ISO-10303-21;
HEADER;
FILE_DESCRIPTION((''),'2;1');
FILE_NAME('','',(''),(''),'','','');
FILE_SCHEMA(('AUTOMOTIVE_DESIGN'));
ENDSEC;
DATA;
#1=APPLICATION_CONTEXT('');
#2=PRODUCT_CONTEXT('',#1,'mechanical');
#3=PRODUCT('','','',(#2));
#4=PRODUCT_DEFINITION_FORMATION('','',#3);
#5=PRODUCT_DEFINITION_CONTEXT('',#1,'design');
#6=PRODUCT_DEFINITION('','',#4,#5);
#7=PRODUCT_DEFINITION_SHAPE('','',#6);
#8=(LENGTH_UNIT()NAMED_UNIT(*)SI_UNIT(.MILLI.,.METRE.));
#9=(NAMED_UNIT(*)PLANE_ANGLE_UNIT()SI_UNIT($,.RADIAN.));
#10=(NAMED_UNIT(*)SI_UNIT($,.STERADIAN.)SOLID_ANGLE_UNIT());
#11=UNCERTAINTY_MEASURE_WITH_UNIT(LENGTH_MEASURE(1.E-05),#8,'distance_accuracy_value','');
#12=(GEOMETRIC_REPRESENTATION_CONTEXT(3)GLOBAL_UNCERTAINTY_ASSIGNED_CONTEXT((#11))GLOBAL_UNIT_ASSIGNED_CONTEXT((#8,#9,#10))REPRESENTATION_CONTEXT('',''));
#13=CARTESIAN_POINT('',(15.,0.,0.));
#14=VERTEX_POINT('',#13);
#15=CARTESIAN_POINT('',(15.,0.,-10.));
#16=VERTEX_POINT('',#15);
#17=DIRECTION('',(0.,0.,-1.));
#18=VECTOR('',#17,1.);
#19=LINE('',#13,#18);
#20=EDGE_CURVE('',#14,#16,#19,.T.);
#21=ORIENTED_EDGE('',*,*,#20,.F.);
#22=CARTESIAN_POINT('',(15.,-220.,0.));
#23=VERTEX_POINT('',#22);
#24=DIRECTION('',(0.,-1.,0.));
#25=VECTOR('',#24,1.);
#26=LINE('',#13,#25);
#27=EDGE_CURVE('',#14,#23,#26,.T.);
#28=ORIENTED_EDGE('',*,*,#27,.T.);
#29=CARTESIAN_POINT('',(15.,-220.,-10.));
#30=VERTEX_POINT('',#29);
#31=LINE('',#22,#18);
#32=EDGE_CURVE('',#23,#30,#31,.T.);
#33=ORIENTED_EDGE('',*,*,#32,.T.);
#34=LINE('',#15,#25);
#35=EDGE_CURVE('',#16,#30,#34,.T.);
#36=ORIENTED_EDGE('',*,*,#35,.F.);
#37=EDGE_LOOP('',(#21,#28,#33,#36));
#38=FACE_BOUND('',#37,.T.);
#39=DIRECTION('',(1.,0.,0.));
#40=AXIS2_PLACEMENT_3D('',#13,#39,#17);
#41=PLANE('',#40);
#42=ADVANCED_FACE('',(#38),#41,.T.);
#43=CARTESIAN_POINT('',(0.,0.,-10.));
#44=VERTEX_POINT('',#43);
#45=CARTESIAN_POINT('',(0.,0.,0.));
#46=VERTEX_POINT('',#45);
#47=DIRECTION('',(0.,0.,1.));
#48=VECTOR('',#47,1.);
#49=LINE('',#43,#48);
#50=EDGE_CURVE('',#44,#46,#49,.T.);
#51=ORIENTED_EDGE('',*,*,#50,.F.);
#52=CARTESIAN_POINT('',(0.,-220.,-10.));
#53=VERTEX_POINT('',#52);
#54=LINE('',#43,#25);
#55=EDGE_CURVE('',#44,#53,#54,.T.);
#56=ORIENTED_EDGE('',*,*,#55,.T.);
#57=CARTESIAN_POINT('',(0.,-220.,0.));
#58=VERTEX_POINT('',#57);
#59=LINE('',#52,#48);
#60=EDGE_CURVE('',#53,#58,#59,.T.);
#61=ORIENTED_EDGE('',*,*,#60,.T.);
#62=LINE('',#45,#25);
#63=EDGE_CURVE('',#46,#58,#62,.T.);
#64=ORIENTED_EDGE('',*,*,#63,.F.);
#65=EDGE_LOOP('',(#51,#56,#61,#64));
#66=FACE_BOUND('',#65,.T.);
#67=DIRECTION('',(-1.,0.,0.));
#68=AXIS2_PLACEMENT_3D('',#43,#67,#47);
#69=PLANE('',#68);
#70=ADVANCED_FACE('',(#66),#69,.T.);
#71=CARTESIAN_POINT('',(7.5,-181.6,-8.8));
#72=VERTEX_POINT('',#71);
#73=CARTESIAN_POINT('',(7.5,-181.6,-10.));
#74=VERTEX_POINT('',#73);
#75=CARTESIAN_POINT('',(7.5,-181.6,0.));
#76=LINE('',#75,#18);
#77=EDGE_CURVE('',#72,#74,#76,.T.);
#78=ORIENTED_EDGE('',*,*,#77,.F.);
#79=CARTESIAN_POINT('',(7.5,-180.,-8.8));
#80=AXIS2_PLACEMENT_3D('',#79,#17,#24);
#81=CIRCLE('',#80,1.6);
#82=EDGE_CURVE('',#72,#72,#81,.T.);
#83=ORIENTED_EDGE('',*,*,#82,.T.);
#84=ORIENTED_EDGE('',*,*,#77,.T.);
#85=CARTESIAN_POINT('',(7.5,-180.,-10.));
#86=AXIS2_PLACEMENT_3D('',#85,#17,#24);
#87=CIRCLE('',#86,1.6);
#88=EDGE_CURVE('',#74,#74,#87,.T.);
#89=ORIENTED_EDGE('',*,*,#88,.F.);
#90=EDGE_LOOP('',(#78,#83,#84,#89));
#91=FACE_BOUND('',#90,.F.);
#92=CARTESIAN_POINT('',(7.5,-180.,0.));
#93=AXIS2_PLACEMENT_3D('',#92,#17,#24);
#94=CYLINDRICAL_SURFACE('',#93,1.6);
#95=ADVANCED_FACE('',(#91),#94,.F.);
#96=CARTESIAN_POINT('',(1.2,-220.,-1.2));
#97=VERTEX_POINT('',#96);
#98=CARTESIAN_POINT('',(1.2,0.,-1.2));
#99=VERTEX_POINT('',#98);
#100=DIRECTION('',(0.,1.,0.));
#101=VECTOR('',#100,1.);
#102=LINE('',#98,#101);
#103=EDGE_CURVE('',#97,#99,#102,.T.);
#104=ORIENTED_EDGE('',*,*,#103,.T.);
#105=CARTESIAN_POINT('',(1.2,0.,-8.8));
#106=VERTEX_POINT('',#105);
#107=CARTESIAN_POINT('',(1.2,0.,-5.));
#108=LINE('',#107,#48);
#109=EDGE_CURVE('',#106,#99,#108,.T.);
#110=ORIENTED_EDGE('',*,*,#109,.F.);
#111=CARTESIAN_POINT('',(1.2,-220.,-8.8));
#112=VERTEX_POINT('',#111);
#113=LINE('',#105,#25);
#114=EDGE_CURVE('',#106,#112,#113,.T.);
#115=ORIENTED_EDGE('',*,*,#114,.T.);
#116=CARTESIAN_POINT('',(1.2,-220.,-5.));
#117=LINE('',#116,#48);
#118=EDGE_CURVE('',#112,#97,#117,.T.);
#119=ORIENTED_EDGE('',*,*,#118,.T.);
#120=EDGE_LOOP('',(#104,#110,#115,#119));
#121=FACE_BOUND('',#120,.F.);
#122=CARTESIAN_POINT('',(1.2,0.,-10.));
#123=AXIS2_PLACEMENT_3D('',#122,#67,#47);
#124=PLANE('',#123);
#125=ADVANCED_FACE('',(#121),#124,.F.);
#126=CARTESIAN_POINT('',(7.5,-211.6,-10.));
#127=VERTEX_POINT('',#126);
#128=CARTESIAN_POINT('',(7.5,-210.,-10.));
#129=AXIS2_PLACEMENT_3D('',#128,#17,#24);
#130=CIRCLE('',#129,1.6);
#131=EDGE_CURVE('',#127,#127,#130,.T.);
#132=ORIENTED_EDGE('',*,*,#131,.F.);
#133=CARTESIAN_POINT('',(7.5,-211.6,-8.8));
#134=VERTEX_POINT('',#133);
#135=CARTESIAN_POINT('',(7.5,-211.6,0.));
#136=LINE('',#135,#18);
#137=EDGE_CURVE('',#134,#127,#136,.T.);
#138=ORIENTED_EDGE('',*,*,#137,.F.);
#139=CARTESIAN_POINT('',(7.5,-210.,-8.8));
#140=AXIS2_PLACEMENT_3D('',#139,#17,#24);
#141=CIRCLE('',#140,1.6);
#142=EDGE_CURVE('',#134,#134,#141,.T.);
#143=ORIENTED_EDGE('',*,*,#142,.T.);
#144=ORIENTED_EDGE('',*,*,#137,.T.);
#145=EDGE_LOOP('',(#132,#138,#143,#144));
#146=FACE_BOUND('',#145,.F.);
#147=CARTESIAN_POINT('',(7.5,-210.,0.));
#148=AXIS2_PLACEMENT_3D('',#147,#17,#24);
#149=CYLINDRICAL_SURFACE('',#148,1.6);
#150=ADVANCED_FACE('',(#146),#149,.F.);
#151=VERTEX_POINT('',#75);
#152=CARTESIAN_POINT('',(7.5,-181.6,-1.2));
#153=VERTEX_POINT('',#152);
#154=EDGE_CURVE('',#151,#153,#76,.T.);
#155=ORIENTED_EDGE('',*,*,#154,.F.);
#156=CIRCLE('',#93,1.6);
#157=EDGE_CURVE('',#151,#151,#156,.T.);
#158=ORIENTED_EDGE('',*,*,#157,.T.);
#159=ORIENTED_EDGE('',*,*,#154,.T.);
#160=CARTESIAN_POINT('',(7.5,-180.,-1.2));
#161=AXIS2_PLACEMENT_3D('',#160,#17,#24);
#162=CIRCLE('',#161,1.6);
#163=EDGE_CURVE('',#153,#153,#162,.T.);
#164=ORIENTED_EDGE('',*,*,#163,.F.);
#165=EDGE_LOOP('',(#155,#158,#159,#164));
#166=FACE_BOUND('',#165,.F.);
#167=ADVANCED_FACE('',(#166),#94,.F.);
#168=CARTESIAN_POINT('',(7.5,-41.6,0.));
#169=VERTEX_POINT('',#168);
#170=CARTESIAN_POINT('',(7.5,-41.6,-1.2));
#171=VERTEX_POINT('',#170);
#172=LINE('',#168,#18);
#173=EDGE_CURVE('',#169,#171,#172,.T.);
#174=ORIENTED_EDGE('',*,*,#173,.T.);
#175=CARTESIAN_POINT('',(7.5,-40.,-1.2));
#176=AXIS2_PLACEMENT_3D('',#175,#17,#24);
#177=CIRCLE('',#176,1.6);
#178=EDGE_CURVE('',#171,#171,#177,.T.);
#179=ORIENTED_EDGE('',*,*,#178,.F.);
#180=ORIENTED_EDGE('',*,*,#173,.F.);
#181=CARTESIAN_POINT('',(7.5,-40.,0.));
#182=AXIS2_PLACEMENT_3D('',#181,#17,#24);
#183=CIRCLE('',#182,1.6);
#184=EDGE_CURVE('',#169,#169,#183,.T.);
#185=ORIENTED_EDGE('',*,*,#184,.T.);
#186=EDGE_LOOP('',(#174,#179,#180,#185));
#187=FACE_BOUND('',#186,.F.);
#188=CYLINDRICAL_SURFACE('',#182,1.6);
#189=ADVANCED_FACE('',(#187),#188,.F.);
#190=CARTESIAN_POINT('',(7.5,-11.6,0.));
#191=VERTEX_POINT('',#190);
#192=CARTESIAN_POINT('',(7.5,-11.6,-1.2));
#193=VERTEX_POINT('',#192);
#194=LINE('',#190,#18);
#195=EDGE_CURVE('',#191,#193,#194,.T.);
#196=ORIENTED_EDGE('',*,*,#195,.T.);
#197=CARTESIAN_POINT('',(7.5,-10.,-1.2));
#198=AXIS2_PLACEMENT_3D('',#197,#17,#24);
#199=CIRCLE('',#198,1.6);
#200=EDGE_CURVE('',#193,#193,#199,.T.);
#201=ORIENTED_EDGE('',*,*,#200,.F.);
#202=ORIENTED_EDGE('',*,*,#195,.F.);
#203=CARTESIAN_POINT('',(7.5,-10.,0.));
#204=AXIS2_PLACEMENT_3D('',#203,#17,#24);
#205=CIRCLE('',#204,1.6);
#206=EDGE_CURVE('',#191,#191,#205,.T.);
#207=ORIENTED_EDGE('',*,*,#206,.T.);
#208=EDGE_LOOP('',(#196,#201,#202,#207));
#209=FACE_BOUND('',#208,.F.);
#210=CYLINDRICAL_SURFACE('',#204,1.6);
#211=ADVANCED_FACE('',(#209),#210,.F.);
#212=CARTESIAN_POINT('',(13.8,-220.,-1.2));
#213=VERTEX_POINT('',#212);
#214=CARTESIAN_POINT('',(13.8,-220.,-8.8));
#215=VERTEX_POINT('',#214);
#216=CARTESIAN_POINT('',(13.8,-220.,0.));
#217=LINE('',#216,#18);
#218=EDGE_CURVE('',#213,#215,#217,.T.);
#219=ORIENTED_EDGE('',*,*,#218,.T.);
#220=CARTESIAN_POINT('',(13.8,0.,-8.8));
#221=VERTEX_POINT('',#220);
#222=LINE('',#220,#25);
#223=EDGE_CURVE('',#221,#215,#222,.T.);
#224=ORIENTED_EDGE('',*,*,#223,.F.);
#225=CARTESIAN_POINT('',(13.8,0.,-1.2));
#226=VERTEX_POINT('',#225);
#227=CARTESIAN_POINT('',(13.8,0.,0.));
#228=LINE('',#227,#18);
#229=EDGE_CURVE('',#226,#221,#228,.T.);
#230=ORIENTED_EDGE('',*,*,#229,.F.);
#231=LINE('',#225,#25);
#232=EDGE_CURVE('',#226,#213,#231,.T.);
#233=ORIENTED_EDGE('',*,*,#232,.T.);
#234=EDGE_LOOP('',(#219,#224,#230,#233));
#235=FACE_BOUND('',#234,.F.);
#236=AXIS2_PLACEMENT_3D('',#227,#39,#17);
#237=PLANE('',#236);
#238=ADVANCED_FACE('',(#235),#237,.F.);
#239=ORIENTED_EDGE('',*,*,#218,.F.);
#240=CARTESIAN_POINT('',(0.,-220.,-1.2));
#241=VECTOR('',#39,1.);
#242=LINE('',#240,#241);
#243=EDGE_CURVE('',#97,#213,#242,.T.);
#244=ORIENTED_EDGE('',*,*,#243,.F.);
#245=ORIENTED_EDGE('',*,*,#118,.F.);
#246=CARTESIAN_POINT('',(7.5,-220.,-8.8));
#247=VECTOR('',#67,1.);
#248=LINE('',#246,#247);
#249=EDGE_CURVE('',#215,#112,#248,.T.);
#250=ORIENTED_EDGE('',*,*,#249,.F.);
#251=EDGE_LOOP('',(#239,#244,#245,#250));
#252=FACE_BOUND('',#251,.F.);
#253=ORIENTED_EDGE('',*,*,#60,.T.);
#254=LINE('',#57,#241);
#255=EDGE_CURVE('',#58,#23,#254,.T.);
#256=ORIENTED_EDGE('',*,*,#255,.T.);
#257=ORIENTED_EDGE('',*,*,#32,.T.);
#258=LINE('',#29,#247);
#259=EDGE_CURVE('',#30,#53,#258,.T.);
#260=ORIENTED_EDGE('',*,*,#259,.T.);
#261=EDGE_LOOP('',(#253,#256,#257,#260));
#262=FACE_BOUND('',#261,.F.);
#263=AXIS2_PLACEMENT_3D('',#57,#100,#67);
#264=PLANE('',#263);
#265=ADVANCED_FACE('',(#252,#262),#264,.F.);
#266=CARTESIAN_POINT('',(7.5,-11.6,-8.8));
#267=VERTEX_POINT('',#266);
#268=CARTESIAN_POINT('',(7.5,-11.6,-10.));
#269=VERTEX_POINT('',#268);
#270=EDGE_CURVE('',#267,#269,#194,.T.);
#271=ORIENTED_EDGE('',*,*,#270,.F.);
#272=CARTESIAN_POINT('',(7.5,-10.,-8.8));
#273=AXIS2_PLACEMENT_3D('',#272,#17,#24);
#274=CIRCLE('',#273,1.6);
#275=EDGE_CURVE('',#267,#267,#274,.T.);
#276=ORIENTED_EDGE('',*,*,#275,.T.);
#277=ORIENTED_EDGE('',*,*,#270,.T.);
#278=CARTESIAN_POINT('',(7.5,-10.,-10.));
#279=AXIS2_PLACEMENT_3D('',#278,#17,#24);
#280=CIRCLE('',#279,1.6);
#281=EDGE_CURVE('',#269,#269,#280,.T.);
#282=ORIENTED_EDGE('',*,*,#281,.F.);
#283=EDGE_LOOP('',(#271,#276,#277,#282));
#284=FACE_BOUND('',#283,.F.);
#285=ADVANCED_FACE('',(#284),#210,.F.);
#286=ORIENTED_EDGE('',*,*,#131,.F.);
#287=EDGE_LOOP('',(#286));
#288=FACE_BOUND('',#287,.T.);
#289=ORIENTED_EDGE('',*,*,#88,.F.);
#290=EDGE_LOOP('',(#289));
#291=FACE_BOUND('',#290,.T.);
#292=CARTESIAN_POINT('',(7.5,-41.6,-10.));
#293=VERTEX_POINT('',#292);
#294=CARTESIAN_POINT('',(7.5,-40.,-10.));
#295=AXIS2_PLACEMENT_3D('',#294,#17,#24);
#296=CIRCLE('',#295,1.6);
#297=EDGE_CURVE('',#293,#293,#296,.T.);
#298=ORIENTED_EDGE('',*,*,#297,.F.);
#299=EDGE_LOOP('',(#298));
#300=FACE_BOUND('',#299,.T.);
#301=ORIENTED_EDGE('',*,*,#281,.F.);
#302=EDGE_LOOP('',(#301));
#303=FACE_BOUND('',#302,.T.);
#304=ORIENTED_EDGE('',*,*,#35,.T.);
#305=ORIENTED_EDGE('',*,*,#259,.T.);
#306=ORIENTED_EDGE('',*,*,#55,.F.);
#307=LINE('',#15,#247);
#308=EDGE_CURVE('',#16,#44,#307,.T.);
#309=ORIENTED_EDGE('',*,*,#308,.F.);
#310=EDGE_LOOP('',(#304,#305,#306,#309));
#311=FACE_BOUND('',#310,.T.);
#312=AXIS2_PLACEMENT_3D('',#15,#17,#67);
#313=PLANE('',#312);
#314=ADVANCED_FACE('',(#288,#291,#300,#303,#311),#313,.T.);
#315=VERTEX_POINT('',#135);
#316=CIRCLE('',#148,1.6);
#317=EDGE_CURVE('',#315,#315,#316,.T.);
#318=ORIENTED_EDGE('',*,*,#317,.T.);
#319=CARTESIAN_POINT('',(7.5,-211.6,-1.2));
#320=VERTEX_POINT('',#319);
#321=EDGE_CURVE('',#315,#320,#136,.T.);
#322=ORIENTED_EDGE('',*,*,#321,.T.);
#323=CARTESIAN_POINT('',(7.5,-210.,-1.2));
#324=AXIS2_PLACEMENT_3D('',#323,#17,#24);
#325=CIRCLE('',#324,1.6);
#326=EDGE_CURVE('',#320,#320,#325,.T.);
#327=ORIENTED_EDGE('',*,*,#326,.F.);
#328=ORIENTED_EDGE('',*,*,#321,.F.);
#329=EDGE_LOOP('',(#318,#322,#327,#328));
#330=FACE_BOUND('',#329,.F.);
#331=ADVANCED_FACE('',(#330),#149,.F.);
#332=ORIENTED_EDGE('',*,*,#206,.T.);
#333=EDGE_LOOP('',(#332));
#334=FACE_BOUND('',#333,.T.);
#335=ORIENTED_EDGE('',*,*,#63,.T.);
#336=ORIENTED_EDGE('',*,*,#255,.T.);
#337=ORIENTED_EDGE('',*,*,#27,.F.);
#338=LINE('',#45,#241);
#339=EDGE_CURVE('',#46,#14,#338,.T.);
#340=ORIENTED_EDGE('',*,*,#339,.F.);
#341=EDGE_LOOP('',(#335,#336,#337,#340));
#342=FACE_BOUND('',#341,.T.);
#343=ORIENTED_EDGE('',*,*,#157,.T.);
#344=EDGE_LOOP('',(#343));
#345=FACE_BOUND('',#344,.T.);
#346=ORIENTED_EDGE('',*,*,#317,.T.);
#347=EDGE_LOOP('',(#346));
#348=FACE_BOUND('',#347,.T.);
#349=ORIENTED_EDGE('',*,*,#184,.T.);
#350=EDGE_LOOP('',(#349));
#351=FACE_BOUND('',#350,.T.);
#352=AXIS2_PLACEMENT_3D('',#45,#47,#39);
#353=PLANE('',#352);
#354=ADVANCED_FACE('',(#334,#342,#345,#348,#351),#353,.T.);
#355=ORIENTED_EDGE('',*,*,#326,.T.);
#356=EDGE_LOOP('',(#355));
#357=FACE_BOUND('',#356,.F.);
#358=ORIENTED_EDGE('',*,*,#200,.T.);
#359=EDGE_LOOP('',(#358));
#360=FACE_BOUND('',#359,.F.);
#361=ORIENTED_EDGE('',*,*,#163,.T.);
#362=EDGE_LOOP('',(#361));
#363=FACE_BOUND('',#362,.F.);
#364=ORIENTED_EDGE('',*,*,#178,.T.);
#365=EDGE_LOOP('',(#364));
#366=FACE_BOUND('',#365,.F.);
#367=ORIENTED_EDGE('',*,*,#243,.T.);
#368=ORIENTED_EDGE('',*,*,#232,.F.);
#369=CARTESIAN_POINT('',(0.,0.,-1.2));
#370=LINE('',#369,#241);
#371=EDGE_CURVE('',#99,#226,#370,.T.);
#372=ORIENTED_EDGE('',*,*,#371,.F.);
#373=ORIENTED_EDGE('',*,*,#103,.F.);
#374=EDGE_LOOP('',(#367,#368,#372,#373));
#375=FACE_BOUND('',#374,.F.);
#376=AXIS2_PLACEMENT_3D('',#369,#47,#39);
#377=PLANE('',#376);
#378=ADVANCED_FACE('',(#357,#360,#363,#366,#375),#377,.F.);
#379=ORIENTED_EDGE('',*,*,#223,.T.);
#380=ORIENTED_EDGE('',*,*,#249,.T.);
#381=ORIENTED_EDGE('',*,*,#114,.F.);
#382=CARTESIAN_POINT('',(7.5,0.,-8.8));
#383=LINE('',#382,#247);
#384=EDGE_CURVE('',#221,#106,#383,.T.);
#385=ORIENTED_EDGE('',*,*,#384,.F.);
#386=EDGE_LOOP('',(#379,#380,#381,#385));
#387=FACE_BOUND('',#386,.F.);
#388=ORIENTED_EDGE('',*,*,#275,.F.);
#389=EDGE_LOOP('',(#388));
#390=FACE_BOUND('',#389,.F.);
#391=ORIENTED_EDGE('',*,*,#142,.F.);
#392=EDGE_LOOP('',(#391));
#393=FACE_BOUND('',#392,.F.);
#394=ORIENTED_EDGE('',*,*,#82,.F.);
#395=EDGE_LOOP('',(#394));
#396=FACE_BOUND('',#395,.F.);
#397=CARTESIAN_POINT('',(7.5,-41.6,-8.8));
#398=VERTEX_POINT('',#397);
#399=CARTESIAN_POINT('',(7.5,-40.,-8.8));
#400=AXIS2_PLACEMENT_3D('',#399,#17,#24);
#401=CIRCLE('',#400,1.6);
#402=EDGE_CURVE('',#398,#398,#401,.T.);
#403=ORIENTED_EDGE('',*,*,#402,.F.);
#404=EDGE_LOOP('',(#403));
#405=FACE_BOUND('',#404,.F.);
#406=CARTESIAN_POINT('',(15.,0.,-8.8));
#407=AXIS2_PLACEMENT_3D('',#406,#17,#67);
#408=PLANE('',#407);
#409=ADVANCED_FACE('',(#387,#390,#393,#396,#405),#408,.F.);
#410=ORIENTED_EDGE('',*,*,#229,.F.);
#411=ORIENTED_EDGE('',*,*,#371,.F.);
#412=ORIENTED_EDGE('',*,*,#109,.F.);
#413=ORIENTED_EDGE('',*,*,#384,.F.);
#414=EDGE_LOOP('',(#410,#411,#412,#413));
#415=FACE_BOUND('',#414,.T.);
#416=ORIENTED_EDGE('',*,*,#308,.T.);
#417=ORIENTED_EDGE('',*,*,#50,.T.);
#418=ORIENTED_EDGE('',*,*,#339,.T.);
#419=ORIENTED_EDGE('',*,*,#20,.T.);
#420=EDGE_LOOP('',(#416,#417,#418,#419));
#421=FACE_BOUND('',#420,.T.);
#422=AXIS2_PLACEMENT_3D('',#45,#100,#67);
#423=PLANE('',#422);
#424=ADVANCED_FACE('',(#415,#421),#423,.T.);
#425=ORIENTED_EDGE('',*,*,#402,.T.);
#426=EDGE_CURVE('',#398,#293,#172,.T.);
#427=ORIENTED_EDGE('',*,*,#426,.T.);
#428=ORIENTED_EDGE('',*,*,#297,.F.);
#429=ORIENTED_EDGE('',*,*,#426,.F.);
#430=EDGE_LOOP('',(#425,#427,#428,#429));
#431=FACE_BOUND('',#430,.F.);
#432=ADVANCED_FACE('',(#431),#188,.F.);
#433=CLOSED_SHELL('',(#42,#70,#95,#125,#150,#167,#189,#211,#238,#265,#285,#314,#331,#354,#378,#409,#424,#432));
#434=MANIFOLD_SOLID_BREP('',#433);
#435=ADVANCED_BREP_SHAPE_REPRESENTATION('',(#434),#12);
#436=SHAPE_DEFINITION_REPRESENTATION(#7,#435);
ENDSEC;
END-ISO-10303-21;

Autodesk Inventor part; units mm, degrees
ref_plane "YZ Plane" through (0, 0, 0) normal (1, 0, 0) x (0, 1, 0)
ref_plane "XZ Plane" through (0, 0, 0) normal (0, 1, 0) x (-1, 0, 0)
ref_plane "XY Plane" through (0, 0, 0) normal (0, 0, 1) x (1, 0, 0)
sketch "スケッチ1" plane through (0, 0, 0) normal (0, 1, 0) x (-1, 0, 0)
  line L0 (0, 0) -> (-15, 0)
  line L1 (-15, 0) -> (-15, -10)
  line L2 (-15, -10) -> (0, -10)
  line L3 (0, -10) -> (0, 0)
  dimension "d0" = 15
  dimension "d1" = 10
extrude "押し出し1" add sketch "スケッチ1" against normal blind 220
shell "シェル1" thickness 1.2 removed faces 2 at (10, 0, -3.3333) at (10, -220, -3.3333)
sketch "スケッチ2" plane through (0, 0, 0) normal (0, 0, 1) x (1, 0, 0)
  line L0 (0, 0) -> (15, 0) projected
  line L1 (15, 0) -> (15, -220) projected
  line L2 (15, -220) -> (0, -220) projected
  point P0 (7.5, -10)
  point P1 (7.5, 0)
  point P2 (7.5, -40)
  point P3 (7.5, -210)
  point P4 (7.5, -210)
  point P5 (7.5, -180)
  dimension "d5" = 10
  dimension "d6" = 7.5
  dimension "d7" = 7.5
  dimension "d8" = 30
  dimension "d9" = 10
  dimension "d10" = 7.5
  dimension "d11" = 30
  dimension "d12" = 7.5
hole "穴1" at (7.5, -10, 0) at (7.5, -40, 0) at (7.5, -210, 0) at (7.5, -180, 0) direction (0, 0, -1) diameter 3.2 end through all
properties part number "left_ASP" material "アルミニウム 6061"
